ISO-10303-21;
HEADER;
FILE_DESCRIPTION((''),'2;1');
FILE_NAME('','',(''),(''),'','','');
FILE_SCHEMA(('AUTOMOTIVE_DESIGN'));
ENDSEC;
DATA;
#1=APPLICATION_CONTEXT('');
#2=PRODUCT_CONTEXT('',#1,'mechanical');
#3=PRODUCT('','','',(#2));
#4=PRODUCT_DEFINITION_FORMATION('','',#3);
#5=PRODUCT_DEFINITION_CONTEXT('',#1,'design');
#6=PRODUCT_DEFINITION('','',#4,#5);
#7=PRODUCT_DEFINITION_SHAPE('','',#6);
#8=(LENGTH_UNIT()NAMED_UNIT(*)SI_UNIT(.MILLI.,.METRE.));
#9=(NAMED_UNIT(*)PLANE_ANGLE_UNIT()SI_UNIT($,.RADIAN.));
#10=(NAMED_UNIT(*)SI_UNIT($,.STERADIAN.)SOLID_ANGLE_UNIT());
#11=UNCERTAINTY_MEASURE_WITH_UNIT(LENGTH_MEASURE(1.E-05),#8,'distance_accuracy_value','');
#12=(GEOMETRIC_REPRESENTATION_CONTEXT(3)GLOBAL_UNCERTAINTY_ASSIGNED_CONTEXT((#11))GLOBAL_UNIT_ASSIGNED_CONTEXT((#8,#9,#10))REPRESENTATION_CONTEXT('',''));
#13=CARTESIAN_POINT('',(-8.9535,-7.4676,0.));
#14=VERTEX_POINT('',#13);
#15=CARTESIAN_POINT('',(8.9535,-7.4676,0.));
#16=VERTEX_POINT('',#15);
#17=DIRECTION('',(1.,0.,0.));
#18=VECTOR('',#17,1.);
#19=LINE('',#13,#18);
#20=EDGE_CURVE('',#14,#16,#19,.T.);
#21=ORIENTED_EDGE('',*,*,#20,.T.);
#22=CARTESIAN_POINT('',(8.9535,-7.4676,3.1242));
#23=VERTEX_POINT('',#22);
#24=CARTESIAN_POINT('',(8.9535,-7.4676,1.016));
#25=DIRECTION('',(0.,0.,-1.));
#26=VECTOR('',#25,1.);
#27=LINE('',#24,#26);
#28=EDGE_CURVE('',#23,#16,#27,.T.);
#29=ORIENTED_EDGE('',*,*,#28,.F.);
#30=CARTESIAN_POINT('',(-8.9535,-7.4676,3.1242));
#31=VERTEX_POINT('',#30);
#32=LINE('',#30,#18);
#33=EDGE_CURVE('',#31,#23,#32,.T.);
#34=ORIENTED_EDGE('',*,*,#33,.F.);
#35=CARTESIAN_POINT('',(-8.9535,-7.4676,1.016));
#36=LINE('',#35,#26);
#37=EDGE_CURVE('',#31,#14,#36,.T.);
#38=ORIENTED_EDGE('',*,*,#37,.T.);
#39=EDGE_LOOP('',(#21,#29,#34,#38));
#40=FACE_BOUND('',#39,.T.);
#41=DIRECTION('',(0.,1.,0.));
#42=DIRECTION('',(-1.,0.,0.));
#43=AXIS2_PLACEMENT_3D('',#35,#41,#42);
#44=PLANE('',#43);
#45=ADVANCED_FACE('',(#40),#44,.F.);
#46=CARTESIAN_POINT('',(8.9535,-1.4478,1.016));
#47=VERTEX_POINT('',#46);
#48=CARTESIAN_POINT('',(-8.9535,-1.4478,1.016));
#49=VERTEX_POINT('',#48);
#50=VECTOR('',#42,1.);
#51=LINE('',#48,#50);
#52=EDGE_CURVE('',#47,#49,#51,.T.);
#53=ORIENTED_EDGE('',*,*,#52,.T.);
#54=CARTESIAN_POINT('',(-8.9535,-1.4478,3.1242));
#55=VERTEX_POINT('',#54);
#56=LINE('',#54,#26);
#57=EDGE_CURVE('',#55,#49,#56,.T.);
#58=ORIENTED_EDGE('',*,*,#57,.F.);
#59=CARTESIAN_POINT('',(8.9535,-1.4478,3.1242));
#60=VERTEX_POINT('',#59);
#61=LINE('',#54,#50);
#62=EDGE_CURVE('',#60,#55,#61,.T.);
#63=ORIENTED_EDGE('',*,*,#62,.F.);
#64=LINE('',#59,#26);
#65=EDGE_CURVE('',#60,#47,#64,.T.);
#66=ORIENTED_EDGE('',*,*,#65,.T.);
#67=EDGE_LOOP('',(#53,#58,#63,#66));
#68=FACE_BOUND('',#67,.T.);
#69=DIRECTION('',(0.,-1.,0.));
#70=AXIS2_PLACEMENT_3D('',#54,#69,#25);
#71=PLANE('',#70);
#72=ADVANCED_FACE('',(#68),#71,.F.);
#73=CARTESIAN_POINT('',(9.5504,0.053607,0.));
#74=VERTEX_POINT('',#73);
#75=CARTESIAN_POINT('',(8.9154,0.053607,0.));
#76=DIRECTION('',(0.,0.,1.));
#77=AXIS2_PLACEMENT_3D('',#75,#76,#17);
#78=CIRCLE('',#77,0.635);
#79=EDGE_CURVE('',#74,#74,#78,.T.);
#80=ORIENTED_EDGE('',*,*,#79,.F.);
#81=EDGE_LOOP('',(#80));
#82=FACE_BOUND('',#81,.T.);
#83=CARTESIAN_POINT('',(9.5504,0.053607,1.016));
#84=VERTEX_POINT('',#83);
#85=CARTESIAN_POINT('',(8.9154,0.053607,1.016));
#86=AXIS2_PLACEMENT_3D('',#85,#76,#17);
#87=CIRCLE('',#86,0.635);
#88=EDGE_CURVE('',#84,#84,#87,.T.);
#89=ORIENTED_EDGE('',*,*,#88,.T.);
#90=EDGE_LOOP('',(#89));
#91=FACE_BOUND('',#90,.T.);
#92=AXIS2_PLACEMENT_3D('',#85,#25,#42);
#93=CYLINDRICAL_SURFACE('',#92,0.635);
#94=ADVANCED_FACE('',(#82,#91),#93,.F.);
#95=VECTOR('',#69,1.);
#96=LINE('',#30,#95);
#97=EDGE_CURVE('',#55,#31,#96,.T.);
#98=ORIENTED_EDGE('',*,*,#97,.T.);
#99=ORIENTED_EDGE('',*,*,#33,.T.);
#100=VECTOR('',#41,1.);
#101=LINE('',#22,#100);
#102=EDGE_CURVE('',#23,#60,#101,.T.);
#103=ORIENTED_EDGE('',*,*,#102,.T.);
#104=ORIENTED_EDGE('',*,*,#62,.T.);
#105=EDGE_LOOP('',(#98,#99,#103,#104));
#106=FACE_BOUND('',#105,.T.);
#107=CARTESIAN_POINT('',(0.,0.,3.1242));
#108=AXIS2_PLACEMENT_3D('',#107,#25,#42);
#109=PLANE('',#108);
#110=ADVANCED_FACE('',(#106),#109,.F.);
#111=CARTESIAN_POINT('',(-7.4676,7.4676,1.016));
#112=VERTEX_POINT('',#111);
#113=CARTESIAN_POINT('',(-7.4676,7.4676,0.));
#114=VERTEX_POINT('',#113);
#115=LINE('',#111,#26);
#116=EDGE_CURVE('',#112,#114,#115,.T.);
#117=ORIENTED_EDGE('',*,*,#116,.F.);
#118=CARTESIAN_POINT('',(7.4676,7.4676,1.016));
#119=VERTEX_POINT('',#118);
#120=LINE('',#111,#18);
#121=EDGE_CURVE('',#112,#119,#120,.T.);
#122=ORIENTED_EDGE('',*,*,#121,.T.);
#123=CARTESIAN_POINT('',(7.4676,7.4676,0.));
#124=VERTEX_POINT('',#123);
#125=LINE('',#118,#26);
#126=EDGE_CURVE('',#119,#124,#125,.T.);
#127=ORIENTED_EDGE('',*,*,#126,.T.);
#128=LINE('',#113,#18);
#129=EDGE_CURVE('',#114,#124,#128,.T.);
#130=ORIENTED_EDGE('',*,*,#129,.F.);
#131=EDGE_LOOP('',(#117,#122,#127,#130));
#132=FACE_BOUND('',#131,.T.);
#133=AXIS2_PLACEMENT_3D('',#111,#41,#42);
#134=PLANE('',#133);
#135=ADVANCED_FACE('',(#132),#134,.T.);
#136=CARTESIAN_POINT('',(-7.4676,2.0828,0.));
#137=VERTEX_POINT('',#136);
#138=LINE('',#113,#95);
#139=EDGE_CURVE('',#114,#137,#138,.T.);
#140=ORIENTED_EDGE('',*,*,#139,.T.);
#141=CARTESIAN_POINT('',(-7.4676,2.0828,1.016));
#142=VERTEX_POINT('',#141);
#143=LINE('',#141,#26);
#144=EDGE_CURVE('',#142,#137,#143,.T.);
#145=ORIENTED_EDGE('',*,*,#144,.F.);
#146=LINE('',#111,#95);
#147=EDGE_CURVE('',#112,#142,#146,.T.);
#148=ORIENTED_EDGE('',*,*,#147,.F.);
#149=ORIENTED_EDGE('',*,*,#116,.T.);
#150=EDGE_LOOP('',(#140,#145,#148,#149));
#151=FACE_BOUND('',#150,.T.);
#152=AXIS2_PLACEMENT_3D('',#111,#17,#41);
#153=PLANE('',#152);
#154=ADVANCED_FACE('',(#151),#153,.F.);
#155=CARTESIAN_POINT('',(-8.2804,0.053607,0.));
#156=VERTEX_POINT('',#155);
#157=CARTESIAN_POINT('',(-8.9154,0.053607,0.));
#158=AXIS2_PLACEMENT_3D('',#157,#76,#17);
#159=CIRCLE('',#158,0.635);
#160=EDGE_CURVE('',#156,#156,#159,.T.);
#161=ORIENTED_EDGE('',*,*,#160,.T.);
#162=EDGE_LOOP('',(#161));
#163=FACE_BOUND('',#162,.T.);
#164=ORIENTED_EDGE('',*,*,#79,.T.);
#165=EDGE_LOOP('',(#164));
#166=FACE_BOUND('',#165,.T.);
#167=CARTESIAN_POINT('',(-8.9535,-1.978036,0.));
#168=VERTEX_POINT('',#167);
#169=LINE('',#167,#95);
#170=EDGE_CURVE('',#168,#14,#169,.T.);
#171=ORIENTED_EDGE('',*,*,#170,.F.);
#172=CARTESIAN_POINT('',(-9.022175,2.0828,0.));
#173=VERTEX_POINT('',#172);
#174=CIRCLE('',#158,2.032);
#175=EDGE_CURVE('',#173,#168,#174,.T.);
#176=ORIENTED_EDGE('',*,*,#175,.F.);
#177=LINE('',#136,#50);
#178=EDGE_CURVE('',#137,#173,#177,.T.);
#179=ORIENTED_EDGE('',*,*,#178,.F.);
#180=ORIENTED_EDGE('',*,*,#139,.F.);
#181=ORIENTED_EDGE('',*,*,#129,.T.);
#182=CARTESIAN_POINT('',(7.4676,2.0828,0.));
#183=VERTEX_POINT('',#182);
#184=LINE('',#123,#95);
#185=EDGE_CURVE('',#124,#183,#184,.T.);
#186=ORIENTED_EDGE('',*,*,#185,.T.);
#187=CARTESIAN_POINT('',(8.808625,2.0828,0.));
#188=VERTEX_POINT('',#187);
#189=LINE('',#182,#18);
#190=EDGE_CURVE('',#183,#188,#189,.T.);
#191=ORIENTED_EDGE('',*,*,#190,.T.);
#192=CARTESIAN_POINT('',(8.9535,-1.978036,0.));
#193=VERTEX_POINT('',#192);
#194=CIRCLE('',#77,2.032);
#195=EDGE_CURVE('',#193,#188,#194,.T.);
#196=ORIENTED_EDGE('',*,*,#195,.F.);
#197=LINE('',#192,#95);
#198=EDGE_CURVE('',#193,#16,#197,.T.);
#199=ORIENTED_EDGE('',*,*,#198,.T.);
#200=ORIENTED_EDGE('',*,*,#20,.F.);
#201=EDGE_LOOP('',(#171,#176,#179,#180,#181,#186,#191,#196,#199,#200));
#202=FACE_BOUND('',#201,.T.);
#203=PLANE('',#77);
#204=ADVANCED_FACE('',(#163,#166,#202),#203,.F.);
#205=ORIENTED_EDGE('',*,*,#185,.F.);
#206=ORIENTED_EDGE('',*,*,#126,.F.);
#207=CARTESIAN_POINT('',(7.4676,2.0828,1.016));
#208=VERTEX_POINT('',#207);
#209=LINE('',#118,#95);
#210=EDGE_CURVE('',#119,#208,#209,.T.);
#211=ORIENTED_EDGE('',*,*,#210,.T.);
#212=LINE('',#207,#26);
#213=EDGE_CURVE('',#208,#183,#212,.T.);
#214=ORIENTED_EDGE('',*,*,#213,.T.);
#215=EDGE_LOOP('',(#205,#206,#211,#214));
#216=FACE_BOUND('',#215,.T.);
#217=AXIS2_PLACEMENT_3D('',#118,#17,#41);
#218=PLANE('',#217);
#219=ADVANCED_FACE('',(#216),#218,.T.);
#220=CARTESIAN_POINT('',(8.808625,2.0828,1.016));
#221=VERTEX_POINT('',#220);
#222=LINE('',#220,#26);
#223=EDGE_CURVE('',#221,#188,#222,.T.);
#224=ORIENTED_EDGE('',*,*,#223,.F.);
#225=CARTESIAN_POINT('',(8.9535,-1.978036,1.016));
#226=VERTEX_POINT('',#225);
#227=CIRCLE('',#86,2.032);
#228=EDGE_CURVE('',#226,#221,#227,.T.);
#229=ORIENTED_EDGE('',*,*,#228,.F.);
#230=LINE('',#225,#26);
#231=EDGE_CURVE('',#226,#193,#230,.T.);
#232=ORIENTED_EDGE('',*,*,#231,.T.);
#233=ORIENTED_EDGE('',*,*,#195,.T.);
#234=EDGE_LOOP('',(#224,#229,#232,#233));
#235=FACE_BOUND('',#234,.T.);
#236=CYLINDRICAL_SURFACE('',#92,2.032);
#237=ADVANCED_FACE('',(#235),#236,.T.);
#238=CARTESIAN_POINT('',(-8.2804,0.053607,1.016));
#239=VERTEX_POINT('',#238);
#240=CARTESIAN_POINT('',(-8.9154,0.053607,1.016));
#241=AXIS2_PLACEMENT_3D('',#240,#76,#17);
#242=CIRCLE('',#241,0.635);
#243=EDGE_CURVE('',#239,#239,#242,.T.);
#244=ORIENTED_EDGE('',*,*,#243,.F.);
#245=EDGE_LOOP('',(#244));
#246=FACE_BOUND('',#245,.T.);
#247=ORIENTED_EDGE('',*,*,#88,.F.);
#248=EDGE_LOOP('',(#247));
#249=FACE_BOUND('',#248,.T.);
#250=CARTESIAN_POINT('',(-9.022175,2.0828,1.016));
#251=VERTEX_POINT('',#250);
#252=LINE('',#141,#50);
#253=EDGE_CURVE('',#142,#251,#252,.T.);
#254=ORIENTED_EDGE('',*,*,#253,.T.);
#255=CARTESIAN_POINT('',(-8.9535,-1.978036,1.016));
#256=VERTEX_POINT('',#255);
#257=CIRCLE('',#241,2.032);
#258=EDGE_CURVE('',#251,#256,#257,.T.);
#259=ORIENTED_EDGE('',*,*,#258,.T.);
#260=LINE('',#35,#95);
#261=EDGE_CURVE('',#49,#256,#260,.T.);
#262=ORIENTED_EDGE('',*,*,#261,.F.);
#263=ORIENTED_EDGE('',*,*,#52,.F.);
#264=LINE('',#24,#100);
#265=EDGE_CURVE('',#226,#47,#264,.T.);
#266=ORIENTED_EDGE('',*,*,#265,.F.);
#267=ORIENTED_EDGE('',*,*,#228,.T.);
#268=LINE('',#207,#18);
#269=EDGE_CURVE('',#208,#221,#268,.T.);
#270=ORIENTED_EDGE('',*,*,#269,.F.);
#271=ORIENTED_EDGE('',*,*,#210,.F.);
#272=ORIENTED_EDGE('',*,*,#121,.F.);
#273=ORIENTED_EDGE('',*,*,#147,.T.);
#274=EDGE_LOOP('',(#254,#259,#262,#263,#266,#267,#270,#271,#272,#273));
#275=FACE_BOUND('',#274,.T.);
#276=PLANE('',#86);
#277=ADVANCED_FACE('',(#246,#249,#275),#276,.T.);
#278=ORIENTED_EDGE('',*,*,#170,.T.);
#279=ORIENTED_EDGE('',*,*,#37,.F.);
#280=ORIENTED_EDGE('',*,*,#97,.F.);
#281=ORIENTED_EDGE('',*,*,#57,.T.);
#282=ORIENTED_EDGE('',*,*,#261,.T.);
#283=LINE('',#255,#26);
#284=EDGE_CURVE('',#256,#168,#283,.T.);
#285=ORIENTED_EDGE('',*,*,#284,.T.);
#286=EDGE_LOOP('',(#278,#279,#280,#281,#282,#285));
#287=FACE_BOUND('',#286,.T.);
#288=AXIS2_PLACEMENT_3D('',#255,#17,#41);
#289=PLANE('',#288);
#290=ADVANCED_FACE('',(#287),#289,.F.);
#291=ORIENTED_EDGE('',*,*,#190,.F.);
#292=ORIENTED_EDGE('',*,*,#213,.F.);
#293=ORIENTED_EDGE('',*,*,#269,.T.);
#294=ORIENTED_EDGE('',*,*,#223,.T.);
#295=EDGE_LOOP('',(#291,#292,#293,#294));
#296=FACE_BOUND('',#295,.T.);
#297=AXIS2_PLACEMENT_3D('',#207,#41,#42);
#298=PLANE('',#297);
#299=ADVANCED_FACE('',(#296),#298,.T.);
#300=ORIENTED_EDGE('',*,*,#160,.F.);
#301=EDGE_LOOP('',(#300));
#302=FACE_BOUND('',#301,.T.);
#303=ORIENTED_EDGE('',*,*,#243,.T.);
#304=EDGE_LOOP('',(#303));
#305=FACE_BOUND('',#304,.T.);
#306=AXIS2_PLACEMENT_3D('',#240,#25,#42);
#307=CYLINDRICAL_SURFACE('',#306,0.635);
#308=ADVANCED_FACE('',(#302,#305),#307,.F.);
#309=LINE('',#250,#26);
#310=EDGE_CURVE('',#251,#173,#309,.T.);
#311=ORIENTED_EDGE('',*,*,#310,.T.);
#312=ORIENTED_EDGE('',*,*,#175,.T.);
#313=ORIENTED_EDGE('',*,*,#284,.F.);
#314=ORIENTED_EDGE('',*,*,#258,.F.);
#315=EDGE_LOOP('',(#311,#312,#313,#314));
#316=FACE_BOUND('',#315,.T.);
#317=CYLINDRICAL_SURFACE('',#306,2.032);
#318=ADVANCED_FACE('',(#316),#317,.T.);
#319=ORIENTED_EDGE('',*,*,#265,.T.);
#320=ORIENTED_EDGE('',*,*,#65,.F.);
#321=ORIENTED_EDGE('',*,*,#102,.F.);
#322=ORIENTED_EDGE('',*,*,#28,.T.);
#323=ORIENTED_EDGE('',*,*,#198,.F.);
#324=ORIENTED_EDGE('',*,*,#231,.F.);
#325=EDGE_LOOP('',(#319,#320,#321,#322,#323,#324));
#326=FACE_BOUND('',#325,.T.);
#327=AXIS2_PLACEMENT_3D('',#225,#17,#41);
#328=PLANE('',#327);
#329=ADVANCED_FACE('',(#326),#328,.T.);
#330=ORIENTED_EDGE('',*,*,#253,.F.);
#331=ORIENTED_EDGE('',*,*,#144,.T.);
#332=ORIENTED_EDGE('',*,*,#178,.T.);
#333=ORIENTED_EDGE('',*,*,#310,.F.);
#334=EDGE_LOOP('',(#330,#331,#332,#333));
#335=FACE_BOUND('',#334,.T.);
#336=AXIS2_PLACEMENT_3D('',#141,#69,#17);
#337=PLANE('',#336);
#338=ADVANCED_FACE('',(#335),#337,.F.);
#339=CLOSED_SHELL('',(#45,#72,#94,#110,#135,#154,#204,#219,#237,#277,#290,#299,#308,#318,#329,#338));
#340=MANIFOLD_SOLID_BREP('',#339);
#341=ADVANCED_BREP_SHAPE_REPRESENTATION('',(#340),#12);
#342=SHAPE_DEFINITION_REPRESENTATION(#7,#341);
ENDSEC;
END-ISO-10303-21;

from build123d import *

# Parameters (mm, degrees)
SKETCH1_R           = 0.635000006
BOSS_EXTRUDE1_DEPTH = 1.016
SKETCH2_W           = 17.907
SKETCH2_H           = 6.0198
BOSS_EXTRUDE2_DEPTH = 2.1082


with BuildPart() as part:
    # Sketch1 → Boss-Extrude1 (new body)
    with BuildSketch(Plane.XY):
        with BuildLine():
            Line((-7.4676, 7.4676), (7.4676, 7.4676))
            Line((7.4676, 7.4676), (7.4676, 2.0828))
            Line((7.4676, 2.0828), (8.808625011, 2.0828))
            ThreePointArc((8.808625011, 2.0828), (10.946108081, 0.126055131), (8.9535, -1.978035503))
            Line((8.9535, -1.978035503), (8.9535, -7.4676))
            Line((8.9535, -7.4676), (-8.9535, -7.4676))
            Line((-8.9535, -7.4676), (-8.9535, -1.978035503))
            ThreePointArc((-8.9535, -1.978035503), (-10.947109486, 0.019247939), (-9.022174989, 2.0828))
            Line((-9.022174989, 2.0828), (-7.4676, 2.0828))
            Line((-7.4676, 2.0828), (-7.4676, 7.4676))
        make_face()
        with Locations((-8.9154, 0.053607278)):
            Circle(SKETCH1_R, mode=Mode.SUBTRACT)
        with Locations((8.9154, 0.053607278)):
            Circle(SKETCH1_R, mode=Mode.SUBTRACT)
    extrude(amount=BOSS_EXTRUDE1_DEPTH)

    # Sketch2 → Boss-Extrude2 (add)
    with BuildSketch(Plane.XY.offset(1.016)):
        with Locations((0, -4.4577)):
            Rectangle(SKETCH2_W, SKETCH2_H)
    extrude(amount=BOSS_EXTRUDE2_DEPTH)


solid = part.part
